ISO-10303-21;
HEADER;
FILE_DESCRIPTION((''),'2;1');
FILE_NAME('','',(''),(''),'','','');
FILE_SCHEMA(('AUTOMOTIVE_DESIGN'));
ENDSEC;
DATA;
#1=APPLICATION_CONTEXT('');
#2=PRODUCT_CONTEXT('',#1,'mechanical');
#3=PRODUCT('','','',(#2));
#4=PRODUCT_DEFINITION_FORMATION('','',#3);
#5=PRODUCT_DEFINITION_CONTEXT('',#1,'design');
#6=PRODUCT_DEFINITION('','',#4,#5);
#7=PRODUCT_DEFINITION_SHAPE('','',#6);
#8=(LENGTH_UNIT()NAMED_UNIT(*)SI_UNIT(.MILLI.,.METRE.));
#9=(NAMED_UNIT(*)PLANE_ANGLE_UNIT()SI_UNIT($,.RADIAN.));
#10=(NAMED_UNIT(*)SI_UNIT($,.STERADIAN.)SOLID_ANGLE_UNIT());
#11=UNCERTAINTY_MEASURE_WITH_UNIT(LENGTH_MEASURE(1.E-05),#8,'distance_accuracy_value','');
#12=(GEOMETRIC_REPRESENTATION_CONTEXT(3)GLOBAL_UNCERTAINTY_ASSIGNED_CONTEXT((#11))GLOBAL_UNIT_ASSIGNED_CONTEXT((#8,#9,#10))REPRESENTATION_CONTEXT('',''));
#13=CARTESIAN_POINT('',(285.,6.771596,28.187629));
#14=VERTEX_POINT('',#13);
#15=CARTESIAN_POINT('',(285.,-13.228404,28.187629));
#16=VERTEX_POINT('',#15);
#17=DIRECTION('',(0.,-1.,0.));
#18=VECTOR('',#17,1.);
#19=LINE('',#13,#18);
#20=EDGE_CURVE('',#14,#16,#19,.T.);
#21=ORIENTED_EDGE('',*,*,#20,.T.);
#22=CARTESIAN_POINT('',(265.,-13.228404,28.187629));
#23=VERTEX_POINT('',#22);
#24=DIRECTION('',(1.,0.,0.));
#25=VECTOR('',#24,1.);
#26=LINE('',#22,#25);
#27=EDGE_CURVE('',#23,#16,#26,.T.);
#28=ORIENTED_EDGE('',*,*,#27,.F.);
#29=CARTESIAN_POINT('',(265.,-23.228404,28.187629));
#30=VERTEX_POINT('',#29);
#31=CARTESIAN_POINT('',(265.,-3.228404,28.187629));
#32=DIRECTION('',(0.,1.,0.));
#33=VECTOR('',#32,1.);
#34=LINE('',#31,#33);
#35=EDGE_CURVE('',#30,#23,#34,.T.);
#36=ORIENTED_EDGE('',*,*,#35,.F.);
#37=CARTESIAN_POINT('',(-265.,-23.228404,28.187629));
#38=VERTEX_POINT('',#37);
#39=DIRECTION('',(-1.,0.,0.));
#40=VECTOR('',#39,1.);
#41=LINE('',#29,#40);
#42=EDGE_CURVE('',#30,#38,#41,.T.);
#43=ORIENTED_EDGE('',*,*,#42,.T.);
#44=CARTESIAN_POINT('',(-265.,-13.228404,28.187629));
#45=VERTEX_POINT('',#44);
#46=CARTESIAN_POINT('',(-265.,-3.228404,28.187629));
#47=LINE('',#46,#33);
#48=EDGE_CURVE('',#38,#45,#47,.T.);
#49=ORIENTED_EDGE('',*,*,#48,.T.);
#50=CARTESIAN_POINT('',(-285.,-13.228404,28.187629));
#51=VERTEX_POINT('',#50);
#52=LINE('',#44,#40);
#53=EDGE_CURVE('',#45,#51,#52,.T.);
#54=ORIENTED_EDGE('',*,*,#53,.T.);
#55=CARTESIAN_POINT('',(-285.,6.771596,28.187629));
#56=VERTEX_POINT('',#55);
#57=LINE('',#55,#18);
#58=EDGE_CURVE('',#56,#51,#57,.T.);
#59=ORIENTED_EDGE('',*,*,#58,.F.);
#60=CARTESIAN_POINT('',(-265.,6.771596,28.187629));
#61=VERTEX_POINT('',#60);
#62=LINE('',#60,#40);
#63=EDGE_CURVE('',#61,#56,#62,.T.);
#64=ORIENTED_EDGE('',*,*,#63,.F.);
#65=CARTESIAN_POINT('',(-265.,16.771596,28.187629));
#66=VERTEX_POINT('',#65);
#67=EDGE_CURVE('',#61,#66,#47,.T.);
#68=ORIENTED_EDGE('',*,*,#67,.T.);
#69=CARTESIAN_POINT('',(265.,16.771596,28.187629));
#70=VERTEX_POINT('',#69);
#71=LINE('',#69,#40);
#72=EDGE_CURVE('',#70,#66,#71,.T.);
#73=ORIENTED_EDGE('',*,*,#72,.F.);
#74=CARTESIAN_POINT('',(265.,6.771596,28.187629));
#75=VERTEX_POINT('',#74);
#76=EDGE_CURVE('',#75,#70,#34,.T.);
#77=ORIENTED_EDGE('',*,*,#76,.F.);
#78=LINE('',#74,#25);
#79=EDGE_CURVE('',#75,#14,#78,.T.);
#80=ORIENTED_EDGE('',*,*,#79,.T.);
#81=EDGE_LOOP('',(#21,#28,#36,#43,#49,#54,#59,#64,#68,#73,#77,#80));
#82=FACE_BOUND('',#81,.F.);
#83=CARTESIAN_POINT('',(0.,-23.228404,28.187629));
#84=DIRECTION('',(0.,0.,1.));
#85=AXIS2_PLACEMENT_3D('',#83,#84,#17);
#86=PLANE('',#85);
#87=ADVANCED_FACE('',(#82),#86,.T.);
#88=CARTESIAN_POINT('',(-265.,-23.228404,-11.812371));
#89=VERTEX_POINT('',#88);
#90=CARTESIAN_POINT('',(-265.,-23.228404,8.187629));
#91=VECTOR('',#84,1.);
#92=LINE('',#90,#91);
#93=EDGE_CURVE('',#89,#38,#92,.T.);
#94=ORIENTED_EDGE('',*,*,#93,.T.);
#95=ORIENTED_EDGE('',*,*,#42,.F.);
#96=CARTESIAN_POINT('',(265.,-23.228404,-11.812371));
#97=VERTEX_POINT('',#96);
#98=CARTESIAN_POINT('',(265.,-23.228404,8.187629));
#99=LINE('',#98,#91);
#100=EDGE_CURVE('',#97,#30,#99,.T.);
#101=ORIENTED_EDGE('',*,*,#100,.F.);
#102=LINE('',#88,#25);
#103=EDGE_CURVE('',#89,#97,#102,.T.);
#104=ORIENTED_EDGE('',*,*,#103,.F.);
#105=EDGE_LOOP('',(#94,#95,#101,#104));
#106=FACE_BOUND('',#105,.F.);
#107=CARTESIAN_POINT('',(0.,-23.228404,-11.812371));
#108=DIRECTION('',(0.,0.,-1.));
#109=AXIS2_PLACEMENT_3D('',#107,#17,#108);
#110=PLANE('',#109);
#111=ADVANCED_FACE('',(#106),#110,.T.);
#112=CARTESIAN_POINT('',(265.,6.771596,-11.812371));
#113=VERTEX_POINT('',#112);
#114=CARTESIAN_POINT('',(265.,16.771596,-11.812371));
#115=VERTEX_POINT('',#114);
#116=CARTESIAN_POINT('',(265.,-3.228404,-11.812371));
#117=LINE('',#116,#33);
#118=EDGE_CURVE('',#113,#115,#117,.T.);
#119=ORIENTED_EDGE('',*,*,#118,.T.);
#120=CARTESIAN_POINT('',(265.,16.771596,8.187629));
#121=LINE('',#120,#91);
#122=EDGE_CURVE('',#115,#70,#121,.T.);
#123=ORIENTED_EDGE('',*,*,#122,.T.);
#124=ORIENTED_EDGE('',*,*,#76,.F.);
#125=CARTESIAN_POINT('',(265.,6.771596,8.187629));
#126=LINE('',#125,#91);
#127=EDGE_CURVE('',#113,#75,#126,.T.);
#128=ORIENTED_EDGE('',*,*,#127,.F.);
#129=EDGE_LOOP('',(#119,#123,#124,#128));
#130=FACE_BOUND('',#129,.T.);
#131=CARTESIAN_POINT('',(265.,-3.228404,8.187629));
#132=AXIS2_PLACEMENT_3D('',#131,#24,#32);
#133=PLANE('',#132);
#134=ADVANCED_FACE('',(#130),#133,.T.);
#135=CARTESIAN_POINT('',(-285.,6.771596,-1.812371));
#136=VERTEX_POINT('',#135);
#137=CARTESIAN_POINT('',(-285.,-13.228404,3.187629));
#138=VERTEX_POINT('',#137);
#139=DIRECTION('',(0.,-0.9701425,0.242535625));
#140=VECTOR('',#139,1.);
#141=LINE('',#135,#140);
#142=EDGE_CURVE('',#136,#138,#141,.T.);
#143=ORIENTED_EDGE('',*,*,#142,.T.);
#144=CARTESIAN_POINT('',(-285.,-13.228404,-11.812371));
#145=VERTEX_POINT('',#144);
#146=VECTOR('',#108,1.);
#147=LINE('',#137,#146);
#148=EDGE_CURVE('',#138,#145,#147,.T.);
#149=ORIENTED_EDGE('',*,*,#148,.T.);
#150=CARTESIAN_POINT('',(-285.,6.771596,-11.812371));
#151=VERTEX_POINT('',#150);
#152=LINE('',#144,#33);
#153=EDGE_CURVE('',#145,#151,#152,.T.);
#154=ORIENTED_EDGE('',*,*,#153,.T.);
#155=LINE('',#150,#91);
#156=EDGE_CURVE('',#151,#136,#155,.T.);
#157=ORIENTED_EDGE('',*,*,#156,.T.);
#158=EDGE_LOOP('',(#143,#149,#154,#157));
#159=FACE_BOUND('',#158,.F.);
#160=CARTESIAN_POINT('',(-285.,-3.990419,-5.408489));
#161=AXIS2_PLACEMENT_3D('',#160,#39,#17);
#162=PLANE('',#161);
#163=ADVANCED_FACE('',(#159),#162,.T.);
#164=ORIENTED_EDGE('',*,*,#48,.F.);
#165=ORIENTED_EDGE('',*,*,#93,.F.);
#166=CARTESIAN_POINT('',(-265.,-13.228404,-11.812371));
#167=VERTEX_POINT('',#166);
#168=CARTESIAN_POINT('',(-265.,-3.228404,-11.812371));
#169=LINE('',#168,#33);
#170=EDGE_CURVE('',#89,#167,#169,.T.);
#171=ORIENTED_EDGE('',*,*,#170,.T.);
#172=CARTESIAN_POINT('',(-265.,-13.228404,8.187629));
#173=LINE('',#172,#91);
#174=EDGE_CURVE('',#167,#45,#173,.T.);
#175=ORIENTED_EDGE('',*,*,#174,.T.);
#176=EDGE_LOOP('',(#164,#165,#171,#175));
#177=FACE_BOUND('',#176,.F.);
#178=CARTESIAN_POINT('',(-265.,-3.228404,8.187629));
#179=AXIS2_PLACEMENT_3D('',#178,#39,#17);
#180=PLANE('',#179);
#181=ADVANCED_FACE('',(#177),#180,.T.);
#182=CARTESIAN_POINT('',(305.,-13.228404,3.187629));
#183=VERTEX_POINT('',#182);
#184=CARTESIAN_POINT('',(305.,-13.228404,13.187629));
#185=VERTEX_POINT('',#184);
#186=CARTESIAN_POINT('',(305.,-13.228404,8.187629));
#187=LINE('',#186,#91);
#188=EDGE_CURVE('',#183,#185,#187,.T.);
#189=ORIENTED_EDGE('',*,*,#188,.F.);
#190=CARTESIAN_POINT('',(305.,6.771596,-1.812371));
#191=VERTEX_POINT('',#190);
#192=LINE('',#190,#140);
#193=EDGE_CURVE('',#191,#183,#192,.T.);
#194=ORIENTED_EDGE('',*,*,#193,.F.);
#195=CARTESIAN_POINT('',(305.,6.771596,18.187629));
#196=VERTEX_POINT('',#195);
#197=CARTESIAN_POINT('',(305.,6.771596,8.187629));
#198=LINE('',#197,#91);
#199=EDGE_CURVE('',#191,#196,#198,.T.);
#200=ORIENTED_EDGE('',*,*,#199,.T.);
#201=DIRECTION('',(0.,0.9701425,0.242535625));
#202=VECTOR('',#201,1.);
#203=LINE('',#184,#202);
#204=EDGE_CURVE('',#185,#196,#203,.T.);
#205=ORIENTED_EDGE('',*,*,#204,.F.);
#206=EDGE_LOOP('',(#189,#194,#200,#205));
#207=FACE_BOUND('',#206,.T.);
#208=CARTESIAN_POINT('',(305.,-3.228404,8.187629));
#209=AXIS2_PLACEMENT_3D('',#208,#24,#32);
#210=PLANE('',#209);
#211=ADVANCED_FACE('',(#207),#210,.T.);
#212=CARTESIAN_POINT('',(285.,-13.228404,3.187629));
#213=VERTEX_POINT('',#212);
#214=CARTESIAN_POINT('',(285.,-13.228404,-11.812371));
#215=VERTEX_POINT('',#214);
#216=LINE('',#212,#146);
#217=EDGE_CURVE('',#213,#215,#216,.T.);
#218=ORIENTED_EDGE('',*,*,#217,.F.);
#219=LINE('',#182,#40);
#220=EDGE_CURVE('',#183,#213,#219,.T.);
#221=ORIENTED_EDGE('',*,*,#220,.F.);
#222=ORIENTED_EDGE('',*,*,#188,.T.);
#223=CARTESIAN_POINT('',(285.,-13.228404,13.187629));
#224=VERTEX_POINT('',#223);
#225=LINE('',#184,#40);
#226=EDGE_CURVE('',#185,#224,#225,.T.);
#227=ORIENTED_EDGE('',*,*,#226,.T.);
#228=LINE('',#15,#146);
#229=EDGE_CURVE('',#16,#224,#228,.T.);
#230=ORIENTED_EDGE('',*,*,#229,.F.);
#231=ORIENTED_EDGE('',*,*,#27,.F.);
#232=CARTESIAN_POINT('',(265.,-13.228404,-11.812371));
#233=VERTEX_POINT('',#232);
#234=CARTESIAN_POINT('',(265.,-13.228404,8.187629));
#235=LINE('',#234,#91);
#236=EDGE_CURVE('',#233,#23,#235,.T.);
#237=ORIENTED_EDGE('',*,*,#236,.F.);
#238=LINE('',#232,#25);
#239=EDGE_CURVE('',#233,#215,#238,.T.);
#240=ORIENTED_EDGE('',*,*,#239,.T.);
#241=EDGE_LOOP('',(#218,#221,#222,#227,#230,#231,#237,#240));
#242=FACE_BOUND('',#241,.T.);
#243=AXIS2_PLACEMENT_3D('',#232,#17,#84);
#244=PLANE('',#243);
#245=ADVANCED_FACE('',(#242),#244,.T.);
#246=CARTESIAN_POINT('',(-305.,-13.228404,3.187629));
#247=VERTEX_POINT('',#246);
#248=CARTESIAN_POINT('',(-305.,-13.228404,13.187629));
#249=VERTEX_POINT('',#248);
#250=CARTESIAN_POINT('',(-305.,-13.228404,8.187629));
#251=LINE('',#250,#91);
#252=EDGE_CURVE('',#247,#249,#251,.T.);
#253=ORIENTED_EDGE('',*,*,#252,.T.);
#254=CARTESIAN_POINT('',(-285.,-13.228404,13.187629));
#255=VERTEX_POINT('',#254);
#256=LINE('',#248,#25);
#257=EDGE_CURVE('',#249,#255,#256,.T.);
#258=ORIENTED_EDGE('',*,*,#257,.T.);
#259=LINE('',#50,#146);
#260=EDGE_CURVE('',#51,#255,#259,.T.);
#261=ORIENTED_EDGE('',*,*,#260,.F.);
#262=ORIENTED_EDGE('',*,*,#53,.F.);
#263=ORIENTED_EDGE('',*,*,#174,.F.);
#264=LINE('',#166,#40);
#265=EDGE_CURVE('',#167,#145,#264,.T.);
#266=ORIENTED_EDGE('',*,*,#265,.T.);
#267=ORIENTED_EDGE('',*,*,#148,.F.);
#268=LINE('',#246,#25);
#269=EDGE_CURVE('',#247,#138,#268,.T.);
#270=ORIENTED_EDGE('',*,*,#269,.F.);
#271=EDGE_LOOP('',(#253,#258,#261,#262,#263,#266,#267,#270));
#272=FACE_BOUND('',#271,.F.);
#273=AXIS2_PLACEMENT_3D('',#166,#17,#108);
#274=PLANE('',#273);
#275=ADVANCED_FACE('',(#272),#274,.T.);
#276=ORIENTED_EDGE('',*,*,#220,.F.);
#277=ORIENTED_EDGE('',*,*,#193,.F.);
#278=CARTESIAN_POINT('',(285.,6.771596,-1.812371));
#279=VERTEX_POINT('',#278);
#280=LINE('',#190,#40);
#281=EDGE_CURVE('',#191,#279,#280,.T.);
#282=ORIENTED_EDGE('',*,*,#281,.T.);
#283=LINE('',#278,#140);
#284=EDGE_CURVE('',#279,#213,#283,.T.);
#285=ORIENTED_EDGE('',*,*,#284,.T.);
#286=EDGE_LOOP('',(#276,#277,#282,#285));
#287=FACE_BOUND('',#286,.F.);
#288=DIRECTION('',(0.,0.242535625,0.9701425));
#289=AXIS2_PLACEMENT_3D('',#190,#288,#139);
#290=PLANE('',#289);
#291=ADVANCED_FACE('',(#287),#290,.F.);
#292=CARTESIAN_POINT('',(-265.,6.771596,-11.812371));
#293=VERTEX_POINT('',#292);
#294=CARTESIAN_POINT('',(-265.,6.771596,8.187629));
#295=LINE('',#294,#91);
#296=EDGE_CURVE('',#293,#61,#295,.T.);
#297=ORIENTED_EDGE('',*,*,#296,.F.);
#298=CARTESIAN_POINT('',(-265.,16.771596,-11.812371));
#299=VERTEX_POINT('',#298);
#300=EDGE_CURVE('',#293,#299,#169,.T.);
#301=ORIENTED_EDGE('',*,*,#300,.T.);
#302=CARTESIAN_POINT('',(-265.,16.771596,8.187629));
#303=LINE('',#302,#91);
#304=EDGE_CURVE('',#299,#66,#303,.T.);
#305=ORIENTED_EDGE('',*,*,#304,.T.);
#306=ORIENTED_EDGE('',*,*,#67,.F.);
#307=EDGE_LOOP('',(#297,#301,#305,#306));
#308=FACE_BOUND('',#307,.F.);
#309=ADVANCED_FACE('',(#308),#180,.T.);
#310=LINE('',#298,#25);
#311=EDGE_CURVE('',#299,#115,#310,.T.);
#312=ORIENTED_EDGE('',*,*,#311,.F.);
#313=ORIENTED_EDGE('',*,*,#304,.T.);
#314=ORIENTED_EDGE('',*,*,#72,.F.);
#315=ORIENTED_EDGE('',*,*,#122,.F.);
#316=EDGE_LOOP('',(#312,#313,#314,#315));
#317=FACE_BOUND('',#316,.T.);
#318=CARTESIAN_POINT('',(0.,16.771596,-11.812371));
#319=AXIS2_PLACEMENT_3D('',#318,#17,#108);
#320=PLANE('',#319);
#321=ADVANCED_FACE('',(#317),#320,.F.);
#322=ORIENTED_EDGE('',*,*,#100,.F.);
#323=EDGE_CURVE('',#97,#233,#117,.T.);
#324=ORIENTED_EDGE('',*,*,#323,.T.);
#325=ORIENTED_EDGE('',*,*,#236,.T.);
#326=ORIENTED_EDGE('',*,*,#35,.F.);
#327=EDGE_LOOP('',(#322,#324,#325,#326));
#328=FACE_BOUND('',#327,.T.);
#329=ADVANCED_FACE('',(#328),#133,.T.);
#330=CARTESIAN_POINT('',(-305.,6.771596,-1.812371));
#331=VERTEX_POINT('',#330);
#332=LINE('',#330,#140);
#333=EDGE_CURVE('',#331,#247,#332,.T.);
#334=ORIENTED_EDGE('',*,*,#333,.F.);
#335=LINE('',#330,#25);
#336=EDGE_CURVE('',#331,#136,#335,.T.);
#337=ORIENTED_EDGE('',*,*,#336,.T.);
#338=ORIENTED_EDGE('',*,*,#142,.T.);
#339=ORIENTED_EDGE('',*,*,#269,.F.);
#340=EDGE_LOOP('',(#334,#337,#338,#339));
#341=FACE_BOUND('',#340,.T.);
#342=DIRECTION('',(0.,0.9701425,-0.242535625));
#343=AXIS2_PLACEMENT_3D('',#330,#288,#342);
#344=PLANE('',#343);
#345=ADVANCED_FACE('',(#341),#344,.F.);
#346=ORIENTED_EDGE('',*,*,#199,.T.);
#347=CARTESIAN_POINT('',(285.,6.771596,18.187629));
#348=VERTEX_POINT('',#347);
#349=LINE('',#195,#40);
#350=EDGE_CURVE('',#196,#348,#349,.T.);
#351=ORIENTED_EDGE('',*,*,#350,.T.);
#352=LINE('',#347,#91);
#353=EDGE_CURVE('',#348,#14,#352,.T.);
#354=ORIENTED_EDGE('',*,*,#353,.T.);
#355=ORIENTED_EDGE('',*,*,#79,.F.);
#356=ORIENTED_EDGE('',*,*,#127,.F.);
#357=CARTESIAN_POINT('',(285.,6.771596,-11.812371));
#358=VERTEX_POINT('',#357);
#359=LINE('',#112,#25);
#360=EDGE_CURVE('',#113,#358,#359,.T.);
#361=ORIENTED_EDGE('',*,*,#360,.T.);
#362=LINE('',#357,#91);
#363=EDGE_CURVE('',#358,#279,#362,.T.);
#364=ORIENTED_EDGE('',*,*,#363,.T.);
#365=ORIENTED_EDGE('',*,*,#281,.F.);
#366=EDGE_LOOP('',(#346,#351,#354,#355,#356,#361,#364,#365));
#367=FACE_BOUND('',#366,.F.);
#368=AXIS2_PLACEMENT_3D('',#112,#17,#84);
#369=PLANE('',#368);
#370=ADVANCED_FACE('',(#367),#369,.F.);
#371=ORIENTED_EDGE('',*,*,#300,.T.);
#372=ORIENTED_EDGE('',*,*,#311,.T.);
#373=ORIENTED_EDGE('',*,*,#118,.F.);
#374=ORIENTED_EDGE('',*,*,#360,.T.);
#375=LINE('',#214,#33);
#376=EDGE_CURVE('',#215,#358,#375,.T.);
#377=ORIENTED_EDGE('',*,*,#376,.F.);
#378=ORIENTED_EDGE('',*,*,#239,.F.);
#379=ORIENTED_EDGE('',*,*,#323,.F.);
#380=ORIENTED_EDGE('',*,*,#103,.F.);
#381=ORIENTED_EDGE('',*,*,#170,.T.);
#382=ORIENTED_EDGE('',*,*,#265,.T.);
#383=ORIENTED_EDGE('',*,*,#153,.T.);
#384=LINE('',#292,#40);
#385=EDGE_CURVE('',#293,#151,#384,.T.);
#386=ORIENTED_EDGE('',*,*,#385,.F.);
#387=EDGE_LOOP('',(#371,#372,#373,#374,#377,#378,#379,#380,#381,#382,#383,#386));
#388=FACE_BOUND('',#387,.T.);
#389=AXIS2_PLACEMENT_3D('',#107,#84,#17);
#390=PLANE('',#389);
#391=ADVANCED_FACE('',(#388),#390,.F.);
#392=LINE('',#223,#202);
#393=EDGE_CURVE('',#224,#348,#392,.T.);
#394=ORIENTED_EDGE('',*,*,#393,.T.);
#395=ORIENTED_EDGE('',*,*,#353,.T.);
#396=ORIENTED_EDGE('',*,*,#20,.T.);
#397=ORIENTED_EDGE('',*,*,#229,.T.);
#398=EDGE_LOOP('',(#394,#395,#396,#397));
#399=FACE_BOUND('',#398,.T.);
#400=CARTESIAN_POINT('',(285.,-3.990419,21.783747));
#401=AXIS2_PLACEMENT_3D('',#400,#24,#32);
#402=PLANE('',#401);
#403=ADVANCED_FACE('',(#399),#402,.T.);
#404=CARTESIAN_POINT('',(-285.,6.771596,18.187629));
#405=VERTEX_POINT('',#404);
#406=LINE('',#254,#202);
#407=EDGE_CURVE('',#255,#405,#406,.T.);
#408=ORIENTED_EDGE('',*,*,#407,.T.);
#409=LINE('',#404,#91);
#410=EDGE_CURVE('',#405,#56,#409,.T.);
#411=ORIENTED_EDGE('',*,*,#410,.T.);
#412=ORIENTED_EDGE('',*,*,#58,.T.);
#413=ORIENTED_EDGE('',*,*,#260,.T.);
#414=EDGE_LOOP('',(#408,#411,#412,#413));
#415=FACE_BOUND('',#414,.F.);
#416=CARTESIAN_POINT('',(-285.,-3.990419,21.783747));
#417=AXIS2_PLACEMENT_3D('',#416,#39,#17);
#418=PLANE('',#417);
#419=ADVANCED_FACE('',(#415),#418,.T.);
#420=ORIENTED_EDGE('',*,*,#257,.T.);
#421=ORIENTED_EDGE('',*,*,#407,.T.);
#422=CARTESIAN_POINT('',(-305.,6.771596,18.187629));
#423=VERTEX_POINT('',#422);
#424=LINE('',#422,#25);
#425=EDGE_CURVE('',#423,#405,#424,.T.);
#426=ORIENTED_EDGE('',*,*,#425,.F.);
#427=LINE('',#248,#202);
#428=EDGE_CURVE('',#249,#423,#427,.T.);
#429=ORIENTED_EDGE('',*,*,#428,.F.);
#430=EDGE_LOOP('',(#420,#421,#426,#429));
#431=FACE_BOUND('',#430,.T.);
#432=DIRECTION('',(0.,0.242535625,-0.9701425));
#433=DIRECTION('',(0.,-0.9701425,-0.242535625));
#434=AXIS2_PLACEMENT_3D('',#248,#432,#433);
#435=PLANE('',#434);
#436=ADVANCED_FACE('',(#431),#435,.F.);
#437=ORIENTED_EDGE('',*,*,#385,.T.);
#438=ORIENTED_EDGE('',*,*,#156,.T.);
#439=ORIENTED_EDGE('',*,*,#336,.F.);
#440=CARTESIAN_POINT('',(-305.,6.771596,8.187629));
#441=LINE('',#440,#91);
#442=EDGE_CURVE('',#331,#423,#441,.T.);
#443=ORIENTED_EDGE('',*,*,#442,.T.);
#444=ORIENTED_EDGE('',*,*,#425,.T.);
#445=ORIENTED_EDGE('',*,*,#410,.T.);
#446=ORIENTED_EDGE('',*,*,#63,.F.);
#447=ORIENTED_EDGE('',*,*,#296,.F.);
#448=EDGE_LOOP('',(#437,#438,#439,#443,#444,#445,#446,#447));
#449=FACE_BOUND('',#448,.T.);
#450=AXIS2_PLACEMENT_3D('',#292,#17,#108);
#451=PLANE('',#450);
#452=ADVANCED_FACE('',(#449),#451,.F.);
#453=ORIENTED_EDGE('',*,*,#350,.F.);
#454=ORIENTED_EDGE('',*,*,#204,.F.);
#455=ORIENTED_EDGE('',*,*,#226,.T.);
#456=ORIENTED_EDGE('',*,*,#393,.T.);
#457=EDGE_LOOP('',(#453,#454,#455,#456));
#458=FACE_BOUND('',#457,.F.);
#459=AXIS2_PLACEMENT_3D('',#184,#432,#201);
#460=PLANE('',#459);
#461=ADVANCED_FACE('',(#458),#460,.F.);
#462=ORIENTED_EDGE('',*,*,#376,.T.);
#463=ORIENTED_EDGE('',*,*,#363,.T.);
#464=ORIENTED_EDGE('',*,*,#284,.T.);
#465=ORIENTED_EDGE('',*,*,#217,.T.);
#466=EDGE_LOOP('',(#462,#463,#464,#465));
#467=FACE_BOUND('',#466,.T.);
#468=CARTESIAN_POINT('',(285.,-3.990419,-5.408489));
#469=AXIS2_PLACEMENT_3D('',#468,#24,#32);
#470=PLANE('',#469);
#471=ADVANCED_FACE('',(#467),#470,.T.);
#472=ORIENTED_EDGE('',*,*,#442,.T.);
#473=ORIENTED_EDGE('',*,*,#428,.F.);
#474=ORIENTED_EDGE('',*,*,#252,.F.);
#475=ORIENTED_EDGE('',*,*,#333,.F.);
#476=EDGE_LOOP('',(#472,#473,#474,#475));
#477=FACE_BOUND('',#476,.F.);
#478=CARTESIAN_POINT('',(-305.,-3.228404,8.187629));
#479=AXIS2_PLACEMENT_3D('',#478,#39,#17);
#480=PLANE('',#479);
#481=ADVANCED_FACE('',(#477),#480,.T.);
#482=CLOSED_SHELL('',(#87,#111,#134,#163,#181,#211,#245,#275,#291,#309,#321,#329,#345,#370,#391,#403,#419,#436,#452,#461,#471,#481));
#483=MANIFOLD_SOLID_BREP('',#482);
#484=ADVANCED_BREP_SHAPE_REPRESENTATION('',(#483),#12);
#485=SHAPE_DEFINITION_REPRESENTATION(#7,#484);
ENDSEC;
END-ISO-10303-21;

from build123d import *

# Parameters (mm, degrees)
F0_W     = 40
F0_H     = 40
F1_DEPTH = 265
F2_W     = 20
F2_H     = 40
F3_DEPTH = 40
F5_DEPTH = 20


with BuildPart() as f1:
    # F0 (on Right) → F1 (new body)
    with BuildSketch(Plane.YZ):
        with Locations((-3.228404, 8.187629)):
            Rectangle(F0_W, F0_H)
    extrude(amount=F1_DEPTH)

    # F2 (on face) → F3 (join)
    with BuildSketch(Plane.YZ.offset(265)):
        with Locations((-3.228404, 8.187629)):
            Rectangle(F2_W, F2_H)
    extrude(amount=F3_DEPTH)

    # F4 (on face) → F5 (cut)
    with BuildSketch(Plane.YZ.offset(305)):
        Polygon((6.771596, -1.812371), (-13.228404, 3.187629), (-13.228404, -11.812371), (6.771596, -11.812371), align=None)
        Polygon((-13.228404, 28.187629), (-13.228404, 13.187629), (6.771596, 18.187629), (6.771596, 28.187629), align=None)
    extrude(amount=-F5_DEPTH, mode=Mode.SUBTRACT)

    # F6: F1 across face


with BuildPart() as f1_1:
    add(f1.part)
    add(f1.part.mirror(Plane(origin=(0, -3.228404, 8.187629), x_dir=(0, 1, 0), z_dir=(-1, 0, 0))))


solid = f1_1.part
